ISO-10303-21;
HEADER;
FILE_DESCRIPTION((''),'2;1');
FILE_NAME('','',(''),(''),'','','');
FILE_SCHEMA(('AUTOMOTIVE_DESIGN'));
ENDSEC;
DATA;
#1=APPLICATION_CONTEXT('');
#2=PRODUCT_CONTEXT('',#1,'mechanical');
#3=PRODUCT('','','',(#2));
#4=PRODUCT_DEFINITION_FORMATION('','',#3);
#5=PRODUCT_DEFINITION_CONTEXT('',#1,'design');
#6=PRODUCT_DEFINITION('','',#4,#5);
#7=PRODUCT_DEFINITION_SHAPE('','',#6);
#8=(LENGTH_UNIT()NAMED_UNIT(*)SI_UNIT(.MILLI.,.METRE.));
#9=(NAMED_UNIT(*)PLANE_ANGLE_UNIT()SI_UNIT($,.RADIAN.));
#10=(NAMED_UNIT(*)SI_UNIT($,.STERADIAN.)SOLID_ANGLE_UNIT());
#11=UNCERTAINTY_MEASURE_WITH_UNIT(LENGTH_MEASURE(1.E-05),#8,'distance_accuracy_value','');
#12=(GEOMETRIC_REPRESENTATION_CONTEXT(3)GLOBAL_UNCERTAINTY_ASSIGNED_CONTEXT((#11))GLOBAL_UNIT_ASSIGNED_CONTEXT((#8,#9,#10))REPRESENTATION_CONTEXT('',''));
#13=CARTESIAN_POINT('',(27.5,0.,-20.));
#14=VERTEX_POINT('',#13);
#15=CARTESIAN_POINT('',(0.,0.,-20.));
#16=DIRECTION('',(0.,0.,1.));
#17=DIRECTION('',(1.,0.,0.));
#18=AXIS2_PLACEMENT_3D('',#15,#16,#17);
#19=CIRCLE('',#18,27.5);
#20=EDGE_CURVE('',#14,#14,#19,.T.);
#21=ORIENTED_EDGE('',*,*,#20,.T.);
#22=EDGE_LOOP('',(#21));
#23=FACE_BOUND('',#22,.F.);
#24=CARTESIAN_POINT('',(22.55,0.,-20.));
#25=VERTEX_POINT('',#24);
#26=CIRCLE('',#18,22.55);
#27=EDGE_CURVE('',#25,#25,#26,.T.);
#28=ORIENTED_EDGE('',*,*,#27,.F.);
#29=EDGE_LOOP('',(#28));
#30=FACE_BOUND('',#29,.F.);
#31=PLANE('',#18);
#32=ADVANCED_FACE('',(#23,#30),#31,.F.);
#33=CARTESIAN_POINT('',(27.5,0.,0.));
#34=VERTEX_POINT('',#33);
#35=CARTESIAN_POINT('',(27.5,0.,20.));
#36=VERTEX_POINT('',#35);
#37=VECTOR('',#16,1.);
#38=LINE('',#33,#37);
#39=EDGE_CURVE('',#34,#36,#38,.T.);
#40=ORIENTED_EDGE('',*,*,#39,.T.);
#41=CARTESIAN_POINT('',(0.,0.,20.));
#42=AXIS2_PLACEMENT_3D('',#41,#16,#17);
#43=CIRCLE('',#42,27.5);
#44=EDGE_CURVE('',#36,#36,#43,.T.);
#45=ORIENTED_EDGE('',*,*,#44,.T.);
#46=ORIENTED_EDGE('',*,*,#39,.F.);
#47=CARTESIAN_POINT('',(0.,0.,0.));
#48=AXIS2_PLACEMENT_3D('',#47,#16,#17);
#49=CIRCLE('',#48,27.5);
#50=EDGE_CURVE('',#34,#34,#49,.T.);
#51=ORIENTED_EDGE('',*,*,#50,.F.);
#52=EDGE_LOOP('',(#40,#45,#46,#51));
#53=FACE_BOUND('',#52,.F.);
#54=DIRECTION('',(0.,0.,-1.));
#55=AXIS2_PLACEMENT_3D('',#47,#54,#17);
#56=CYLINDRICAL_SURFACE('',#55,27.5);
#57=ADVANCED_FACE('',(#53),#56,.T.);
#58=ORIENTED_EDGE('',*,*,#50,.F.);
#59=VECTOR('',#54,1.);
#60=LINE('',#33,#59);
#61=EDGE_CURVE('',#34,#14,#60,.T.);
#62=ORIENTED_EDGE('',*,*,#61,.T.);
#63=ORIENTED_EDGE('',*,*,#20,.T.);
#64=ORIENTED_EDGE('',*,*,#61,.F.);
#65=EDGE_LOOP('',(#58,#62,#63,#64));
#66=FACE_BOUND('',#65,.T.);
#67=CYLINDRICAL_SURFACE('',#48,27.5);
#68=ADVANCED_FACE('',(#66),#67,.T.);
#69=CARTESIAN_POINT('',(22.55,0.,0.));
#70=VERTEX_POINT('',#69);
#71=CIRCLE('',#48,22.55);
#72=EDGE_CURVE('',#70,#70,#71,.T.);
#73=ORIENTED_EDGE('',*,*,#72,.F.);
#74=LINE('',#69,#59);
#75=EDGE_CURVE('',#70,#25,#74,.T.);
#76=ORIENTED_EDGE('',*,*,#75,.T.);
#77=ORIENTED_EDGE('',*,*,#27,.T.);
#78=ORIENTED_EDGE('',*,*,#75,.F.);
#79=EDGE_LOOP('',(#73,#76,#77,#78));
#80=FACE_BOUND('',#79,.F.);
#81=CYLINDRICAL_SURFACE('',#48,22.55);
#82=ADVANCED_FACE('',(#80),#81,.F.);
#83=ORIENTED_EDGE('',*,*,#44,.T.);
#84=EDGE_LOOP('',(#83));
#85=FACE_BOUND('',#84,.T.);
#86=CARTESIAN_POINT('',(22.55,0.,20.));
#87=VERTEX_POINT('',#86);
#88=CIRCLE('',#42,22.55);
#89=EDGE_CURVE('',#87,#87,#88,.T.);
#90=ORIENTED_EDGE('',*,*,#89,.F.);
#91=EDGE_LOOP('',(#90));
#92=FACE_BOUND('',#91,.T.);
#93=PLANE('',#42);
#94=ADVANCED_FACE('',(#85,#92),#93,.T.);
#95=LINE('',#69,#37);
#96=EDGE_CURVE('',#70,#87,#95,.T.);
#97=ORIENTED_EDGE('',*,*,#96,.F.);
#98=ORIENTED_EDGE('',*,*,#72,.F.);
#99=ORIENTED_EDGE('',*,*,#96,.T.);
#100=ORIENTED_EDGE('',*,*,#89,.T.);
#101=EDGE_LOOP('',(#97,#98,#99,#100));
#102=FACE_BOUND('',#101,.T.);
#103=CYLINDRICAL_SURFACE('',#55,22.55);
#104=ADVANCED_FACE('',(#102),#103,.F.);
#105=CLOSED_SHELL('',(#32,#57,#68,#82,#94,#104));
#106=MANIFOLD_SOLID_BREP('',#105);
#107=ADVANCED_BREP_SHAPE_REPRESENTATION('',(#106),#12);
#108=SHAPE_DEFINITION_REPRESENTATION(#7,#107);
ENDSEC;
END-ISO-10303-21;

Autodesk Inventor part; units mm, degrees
ref_plane "YZ Plane" through (0, 0, 0) normal (1, 0, 0) x (0, 1, 0)
ref_plane "XZ Plane" through (0, 0, 0) normal (0, 1, 0) x (-1, 0, 0)
ref_plane "XY Plane" through (0, 0, 0) normal (0, 0, 1) x (1, 0, 0)
sketch "스케치9" plane through (0, 0, 0) normal (0, 0, 1) x (1, 0, 0)
  circle A0 centre (0, 0) radius 22.55
  circle A1 centre (0, 0) radius 27.5
  dimension "d40" = 45.1
  dimension "d41" = 55
extrude "돌출4" add sketch "스케치9" along normal mid plane 40
properties part number "TL20240701-10110CV-015" material "S45C"
